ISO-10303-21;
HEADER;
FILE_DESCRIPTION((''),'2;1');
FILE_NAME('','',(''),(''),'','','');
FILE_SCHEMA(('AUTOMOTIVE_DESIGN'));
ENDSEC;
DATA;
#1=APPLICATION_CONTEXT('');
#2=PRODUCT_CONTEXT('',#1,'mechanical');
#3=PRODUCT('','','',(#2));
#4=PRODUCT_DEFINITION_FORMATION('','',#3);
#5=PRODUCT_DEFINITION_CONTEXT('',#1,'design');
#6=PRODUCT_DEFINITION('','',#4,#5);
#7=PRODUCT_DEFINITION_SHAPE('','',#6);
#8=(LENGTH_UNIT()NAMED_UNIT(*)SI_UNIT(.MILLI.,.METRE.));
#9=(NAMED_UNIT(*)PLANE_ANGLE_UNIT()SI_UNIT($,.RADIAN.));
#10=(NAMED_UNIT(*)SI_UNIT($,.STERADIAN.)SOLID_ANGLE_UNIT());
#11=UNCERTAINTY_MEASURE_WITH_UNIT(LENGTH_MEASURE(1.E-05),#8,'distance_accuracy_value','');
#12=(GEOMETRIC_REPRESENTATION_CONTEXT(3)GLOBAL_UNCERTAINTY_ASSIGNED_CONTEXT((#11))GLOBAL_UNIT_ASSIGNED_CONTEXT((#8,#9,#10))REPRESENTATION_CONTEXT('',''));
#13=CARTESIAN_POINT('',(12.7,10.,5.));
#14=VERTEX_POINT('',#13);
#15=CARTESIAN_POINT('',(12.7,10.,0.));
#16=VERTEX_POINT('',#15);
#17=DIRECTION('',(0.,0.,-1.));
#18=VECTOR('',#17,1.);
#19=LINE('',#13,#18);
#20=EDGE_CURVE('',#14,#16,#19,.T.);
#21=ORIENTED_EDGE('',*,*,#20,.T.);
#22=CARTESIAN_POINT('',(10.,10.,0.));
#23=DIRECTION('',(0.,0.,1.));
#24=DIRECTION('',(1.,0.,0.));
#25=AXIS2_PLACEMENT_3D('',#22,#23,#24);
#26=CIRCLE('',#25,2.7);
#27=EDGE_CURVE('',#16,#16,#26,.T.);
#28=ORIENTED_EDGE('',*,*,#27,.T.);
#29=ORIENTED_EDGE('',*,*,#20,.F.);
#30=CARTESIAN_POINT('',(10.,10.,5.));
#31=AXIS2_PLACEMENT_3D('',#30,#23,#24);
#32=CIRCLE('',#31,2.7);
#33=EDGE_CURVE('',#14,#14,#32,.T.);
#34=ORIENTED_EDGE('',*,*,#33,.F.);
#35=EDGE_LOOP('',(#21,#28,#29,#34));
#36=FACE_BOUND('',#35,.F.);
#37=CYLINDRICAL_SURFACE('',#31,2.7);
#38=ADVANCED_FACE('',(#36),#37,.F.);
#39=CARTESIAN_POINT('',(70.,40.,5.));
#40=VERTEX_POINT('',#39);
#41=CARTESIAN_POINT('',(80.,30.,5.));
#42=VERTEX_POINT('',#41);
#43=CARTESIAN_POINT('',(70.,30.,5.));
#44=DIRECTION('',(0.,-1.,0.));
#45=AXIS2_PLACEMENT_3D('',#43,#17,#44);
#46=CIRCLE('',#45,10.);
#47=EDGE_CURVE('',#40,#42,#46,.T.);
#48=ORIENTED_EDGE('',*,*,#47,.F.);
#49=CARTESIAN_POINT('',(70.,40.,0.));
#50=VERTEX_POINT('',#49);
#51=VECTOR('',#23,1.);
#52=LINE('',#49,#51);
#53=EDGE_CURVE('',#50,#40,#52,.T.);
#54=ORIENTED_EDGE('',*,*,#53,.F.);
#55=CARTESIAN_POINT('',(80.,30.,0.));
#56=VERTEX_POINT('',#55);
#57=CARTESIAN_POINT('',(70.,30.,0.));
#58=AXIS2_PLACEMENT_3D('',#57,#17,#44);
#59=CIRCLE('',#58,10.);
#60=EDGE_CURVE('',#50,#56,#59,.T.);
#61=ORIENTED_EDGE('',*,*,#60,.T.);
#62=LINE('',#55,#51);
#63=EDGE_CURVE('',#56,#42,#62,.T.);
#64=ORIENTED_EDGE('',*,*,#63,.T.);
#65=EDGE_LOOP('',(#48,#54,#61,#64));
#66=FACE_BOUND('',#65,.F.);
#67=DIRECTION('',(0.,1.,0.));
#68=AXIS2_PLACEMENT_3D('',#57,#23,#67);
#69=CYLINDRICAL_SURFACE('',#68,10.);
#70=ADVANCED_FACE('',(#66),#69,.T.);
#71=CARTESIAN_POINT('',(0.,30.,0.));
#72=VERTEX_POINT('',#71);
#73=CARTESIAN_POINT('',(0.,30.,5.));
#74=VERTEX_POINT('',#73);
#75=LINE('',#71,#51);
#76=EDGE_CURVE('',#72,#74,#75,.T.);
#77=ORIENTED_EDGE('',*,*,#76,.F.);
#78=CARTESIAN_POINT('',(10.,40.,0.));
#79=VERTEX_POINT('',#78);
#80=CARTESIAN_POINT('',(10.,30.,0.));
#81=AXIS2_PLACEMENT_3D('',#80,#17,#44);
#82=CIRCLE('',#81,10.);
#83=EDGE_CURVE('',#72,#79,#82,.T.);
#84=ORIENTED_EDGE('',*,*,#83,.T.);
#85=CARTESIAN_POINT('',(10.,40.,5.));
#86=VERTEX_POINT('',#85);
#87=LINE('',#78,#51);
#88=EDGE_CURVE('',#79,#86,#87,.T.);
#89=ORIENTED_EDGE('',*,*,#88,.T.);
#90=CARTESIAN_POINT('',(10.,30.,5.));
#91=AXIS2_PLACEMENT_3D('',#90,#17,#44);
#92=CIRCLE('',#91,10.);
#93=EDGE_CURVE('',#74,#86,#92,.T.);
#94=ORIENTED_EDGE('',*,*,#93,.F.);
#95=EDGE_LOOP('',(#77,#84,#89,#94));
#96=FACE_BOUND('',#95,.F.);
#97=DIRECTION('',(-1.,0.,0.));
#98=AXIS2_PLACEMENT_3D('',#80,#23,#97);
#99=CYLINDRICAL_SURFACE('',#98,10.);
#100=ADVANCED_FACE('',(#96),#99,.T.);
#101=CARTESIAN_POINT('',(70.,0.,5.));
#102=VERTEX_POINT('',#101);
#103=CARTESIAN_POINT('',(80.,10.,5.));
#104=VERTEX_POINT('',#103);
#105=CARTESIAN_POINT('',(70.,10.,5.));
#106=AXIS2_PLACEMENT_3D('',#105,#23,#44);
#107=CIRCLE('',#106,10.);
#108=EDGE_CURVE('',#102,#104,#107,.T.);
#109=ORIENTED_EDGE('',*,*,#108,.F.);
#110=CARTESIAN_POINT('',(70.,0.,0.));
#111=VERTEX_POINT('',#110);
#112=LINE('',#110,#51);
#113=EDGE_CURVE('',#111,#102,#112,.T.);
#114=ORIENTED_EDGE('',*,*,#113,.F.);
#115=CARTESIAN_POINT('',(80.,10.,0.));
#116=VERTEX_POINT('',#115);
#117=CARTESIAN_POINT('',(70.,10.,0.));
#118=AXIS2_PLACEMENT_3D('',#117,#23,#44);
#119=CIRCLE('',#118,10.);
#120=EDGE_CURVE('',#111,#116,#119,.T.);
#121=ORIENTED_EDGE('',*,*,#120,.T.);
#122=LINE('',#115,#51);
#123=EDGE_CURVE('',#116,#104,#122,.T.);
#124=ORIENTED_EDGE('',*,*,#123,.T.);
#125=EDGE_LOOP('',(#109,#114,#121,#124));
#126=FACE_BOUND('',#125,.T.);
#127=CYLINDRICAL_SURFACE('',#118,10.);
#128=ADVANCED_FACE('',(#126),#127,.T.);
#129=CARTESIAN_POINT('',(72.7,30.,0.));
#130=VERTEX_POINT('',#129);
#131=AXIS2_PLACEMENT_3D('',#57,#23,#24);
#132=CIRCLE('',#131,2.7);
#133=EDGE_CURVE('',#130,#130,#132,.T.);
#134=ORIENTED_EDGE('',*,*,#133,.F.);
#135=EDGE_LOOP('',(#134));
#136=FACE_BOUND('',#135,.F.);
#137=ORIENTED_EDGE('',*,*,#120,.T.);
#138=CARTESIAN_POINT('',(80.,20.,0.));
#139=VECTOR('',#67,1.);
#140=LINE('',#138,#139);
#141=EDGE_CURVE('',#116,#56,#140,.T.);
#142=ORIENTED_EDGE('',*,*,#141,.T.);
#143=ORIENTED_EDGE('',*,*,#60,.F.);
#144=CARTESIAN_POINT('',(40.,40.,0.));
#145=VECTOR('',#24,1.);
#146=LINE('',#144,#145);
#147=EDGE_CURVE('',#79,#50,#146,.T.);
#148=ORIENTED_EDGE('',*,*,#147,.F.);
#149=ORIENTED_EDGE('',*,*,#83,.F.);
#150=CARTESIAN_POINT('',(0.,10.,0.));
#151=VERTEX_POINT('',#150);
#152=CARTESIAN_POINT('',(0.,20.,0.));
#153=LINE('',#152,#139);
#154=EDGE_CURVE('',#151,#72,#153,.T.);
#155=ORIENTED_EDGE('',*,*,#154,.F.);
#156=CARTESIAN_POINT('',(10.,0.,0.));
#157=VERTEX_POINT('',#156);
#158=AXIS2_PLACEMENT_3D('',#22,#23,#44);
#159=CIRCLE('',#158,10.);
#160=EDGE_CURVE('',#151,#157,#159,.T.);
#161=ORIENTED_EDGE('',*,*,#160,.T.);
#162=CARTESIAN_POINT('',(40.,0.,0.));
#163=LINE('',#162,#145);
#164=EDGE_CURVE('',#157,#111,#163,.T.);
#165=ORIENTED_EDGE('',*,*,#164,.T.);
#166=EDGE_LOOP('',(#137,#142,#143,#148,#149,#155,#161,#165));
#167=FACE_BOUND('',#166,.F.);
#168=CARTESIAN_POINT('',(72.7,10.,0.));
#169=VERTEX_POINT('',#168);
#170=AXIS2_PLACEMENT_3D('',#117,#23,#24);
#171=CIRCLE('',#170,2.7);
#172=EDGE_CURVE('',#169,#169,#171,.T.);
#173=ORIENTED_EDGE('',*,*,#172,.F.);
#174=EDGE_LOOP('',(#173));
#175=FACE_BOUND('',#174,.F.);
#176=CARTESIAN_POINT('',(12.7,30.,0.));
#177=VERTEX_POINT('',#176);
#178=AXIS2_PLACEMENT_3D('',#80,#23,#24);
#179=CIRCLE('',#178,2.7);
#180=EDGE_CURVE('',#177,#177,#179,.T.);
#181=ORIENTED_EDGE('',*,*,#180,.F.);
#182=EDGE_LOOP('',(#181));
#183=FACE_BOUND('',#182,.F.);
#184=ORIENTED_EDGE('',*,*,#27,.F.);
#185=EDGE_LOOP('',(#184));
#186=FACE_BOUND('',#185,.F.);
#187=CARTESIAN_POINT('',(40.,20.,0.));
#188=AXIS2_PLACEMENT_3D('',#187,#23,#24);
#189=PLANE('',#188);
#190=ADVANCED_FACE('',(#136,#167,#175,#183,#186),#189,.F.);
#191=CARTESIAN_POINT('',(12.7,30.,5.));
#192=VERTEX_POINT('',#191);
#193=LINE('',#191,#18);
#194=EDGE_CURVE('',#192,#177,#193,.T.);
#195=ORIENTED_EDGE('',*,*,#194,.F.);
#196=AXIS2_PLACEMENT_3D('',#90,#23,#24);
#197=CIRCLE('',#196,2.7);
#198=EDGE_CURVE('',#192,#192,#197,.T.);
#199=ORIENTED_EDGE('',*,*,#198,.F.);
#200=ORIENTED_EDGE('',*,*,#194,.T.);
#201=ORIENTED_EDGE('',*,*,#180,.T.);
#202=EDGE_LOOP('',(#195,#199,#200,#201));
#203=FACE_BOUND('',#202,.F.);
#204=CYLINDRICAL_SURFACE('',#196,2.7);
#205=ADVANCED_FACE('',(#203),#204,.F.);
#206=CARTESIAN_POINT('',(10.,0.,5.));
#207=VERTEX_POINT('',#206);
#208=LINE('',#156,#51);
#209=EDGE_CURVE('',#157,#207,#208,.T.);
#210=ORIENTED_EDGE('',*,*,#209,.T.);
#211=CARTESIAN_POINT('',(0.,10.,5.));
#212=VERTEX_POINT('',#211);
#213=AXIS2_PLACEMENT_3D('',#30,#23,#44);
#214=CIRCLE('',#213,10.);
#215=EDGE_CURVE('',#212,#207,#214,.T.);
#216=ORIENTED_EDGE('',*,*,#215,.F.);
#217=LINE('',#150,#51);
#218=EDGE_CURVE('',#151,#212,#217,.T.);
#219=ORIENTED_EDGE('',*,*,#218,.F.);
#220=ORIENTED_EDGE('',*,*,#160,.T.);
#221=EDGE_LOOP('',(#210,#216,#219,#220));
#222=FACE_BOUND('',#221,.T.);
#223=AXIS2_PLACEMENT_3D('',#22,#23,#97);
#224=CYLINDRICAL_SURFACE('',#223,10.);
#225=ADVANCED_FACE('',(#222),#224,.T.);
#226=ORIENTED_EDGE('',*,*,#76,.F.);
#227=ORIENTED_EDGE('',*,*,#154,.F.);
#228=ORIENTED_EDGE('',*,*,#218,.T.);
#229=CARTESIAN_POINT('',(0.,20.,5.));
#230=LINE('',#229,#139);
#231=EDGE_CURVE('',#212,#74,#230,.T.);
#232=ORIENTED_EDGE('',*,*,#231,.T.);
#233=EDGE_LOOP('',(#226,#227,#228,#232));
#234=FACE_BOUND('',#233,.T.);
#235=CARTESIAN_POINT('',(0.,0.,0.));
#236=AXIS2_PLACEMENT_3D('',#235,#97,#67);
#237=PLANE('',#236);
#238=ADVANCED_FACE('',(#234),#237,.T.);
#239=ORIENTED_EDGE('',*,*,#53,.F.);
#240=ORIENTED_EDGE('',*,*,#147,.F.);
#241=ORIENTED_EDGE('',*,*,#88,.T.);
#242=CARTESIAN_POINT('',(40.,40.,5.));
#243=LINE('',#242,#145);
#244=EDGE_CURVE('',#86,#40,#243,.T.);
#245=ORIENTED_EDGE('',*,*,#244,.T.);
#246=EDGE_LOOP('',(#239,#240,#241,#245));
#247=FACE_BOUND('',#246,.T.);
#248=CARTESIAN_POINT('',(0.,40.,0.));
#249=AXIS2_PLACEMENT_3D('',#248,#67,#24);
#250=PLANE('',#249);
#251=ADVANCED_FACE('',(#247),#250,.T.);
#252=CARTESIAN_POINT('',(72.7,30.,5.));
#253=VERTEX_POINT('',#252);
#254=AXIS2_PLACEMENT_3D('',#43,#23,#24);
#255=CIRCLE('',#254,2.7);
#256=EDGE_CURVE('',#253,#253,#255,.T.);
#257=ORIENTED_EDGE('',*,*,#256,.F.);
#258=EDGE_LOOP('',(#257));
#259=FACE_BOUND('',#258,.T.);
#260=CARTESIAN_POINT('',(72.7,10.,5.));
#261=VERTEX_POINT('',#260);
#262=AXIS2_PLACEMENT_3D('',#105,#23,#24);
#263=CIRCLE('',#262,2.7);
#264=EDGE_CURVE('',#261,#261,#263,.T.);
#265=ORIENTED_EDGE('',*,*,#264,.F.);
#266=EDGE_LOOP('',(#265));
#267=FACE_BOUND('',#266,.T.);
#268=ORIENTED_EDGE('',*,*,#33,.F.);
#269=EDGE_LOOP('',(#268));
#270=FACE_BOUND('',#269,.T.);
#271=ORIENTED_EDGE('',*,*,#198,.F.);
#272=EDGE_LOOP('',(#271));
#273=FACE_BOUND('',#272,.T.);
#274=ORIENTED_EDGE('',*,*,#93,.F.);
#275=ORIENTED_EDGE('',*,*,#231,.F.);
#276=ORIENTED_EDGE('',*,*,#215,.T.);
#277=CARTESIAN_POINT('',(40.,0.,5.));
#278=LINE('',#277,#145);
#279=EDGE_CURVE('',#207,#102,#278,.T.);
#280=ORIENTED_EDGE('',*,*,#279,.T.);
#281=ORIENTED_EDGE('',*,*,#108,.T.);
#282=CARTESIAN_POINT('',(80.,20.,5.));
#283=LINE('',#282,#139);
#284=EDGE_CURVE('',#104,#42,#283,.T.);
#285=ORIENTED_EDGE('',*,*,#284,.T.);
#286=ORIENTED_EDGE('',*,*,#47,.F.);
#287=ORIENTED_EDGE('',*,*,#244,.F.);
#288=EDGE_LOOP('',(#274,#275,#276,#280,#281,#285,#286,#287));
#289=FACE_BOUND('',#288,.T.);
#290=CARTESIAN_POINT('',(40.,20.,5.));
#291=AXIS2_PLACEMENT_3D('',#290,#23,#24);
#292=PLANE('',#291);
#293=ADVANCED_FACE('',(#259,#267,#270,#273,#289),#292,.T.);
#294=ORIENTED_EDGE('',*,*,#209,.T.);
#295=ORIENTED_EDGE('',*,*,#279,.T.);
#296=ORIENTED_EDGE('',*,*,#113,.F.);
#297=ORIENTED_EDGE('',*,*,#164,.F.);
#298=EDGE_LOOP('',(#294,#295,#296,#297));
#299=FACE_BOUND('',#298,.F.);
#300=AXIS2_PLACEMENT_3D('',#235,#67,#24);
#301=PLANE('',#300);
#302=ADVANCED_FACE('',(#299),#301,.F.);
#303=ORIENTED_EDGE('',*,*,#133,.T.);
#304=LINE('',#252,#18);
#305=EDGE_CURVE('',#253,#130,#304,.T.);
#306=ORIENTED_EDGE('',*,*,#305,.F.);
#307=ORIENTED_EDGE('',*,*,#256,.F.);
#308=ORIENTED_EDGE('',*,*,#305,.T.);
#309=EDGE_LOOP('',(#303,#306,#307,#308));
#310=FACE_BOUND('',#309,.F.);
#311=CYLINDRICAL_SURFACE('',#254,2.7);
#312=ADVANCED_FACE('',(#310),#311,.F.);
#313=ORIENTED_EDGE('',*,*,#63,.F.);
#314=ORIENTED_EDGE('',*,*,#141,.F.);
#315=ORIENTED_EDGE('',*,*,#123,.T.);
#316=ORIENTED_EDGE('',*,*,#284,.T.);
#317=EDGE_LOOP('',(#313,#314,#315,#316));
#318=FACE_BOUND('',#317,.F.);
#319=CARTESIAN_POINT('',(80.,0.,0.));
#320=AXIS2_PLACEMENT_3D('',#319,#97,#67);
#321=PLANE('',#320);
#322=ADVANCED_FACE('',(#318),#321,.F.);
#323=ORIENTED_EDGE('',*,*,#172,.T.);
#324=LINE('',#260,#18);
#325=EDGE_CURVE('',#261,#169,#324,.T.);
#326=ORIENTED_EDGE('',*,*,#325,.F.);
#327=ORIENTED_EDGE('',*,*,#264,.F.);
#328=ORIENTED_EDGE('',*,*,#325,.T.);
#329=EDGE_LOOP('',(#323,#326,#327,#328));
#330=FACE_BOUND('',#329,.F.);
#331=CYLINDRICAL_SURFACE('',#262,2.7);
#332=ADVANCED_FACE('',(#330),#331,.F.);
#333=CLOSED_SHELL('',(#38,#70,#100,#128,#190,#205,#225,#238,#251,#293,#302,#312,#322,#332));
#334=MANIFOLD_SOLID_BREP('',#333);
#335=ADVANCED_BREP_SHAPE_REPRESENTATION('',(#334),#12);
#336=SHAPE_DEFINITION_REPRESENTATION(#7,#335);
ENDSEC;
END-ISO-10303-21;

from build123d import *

# Parameters (mm, degrees)
SKETCH108_W     = 80
SKETCH108_H     = 40
PAD084_DEPTH    = 5
SKETCH109_R     = 2.7
POCKET028_DEPTH = 5.001
FILLET015_R     = 10


with BuildPart() as part:
    # Sketch108 → Pad084 (new body)
    with BuildSketch(Plane.XY):
        with Locations((40, 20)):
            Rectangle(SKETCH108_W, SKETCH108_H)
    extrude(amount=PAD084_DEPTH)

    # Sketch109 (on Face6 of Pad084) → Pocket028 (cut, through all)
    with BuildSketch(Plane.XY.offset(5)):
        with Locations((10, 30)):
            Circle(SKETCH109_R)
        with Locations((10, 10)):
            Circle(SKETCH109_R)
        with Locations((70, 30)):
            Circle(SKETCH109_R)
        with Locations((70, 10)):
            Circle(SKETCH109_R)
    extrude(amount=-POCKET028_DEPTH, mode=Mode.SUBTRACT)

    # Fillet015
    fillet015_edges = [part.edges().sort_by_distance(p)[0] for p in [
        (0, 0, 2.5),
        (0, 40, 2.5),
        (80, 0, 2.5),
        (80, 40, 2.5),
    ]]
    fillet(fillet015_edges, radius=FILLET015_R)


solid = part.part
